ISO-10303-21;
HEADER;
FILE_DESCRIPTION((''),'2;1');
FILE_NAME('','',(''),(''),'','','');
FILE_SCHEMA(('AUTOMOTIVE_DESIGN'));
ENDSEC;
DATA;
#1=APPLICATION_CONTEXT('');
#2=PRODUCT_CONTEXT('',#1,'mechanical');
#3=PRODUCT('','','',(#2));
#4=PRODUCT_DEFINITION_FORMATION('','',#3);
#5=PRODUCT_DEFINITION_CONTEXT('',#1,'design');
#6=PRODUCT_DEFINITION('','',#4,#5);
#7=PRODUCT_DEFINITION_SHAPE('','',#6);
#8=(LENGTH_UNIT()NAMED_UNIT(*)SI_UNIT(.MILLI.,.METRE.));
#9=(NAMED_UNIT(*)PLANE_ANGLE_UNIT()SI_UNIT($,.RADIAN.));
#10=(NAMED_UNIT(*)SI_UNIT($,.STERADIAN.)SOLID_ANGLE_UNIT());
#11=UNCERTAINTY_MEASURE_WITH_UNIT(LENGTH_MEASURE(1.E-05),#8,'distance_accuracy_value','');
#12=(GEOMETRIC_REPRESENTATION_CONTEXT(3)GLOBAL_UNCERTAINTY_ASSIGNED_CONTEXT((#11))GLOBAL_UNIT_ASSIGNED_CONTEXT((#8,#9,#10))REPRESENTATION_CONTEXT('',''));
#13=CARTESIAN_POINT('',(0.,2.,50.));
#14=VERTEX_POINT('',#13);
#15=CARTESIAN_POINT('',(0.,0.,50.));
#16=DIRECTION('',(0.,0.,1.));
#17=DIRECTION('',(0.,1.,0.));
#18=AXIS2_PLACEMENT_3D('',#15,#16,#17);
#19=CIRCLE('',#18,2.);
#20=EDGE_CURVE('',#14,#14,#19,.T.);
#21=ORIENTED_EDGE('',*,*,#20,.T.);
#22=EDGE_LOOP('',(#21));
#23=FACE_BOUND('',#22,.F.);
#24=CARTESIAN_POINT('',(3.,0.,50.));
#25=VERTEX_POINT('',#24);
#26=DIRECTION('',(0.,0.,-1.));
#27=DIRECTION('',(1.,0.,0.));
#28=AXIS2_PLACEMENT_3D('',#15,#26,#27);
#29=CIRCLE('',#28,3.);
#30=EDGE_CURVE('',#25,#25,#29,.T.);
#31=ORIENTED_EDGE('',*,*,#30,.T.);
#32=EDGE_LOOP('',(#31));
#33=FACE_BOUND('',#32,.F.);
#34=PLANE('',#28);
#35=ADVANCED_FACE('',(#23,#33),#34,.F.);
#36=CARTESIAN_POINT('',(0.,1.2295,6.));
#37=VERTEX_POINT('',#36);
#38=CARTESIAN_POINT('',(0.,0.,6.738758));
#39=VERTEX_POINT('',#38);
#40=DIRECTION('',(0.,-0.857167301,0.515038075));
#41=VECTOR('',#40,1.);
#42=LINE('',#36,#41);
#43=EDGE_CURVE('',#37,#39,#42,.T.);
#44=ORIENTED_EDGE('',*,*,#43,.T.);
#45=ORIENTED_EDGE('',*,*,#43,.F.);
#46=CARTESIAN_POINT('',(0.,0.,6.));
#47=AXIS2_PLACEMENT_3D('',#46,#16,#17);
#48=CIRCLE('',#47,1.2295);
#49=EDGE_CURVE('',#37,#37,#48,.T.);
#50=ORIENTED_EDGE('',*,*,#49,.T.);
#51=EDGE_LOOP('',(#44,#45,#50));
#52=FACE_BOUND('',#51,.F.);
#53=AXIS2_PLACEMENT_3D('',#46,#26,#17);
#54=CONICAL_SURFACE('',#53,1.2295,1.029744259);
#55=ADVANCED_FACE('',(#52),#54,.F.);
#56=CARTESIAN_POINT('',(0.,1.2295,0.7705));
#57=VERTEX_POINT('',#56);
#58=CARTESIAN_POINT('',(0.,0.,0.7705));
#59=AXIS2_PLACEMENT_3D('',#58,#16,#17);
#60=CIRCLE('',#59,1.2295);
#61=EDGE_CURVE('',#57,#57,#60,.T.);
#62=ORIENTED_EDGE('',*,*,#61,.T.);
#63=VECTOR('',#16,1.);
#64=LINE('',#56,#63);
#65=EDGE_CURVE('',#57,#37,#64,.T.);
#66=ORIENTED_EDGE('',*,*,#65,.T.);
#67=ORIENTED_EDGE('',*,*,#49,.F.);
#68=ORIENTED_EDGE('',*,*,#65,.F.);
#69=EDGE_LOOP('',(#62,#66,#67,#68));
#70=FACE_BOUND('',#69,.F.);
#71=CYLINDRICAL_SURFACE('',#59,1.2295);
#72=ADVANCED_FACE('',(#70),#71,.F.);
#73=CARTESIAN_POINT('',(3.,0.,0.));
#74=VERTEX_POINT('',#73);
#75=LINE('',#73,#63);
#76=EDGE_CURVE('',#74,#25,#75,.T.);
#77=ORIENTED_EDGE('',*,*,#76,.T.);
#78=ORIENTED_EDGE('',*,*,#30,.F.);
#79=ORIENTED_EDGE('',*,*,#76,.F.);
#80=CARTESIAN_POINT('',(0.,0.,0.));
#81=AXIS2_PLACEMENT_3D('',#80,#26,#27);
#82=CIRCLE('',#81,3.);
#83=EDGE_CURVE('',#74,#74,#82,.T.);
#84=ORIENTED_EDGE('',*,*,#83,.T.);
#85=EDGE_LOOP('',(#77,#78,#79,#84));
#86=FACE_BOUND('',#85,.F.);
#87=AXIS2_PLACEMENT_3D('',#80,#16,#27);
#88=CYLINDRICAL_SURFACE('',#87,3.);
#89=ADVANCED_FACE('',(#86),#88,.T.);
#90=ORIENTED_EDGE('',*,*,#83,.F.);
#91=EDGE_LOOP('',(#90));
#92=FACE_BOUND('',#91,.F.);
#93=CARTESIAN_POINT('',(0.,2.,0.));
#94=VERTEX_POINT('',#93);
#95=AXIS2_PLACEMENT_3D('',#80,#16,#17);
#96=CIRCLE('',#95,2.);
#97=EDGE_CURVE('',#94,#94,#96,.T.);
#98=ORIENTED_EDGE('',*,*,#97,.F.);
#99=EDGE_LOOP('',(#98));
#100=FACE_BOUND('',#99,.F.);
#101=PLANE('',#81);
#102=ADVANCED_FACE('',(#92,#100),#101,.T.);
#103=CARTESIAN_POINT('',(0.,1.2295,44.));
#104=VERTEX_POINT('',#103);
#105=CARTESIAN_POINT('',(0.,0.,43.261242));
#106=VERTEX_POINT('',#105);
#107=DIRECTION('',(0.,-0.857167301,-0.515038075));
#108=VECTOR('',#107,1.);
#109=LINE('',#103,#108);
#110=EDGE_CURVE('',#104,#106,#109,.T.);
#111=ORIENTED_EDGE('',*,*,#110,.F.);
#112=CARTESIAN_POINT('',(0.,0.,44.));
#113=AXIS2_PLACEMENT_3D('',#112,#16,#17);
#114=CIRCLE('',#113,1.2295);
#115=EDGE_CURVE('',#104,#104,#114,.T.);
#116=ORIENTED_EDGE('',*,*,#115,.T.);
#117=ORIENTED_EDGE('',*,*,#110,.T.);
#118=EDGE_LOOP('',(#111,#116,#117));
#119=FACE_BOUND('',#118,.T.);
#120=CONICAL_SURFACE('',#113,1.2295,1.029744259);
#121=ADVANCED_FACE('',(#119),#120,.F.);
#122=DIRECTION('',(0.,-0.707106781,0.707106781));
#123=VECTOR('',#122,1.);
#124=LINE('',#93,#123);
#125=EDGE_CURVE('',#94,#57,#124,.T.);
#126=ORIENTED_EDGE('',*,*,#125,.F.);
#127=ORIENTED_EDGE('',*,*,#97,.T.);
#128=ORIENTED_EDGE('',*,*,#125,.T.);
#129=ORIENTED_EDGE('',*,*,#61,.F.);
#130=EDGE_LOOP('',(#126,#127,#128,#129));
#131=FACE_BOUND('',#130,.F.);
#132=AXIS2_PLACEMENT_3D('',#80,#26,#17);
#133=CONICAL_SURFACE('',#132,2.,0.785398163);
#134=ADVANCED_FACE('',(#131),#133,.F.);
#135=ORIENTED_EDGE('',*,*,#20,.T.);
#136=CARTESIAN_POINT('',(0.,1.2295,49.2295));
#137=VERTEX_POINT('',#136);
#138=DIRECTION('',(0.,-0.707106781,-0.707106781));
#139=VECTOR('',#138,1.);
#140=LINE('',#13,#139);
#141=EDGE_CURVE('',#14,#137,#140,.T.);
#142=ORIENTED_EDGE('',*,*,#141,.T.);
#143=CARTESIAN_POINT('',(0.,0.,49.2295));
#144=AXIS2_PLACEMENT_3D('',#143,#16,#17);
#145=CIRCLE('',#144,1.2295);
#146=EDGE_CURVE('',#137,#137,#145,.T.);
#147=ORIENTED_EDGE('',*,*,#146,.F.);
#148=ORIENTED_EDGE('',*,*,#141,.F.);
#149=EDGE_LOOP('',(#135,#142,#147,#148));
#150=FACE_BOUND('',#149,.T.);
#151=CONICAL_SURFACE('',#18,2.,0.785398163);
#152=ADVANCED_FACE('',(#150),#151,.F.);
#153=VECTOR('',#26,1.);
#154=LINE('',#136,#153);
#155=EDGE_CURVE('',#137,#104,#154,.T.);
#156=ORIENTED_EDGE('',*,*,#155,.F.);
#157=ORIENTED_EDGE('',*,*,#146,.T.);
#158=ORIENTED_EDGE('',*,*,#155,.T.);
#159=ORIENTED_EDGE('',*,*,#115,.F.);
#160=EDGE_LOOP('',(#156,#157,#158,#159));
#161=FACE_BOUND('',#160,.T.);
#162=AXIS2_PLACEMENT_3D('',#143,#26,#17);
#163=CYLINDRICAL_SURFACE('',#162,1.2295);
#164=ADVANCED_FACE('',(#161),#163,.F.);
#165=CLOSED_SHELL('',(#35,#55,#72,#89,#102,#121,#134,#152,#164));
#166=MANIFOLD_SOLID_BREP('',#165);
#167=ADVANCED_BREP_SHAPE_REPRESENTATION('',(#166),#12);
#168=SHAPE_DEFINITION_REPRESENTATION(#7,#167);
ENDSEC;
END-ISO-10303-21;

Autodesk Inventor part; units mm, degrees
ref_plane "YZ Plane" through (0, 0, 0) normal (1, 0, 0) x (0, 1, 0)
ref_plane "XZ Plane" through (0, 0, 0) normal (0, 1, 0) x (-1, 0, 0)
sketch "Sketch1" plane through (0, 0, 0) normal (0, 1, 0) x (-1, 0, 0)
  line L0 (0, 0) -> (-3, 0)
  line L1 (-3, 0) -> (-3, 50)
  line L2 (-3, 50) -> (0, 50)
  line L3 (0, 50) -> (0, 0)
  dimension "d0" = 50
  dimension "d1" = 6
revolve "Revolution1" add sketch "Sketch1" angle 360 about axis through (0, 0, 50) along (0, 0, -1)
sketch "Sketch2" plane through (0, 0, 0) normal (0, 0, -1) x (-1, 0, 0)
  point P0 (0, 0)
  point P1 (0, 0)
hole "Hole1" at (0, 0, 0) direction (0, 0, 1) diameter 2.459 depth 6 tip angle 118 countersink diameter 4 countersink angle 90 thread size "M3x0.5" class "6H" standard "ANSI Metric M Profile"
ref_plane "Work Plane1" through (0, 0, 25) normal (0, 0, -1) x (-1, 0, 0)
mirror "Mirror1" about plane through (0, 0, 25) normal (0, 0, -1) of "Hole1"
properties part number "AR-350B" material "Acetal Resin, Black"
